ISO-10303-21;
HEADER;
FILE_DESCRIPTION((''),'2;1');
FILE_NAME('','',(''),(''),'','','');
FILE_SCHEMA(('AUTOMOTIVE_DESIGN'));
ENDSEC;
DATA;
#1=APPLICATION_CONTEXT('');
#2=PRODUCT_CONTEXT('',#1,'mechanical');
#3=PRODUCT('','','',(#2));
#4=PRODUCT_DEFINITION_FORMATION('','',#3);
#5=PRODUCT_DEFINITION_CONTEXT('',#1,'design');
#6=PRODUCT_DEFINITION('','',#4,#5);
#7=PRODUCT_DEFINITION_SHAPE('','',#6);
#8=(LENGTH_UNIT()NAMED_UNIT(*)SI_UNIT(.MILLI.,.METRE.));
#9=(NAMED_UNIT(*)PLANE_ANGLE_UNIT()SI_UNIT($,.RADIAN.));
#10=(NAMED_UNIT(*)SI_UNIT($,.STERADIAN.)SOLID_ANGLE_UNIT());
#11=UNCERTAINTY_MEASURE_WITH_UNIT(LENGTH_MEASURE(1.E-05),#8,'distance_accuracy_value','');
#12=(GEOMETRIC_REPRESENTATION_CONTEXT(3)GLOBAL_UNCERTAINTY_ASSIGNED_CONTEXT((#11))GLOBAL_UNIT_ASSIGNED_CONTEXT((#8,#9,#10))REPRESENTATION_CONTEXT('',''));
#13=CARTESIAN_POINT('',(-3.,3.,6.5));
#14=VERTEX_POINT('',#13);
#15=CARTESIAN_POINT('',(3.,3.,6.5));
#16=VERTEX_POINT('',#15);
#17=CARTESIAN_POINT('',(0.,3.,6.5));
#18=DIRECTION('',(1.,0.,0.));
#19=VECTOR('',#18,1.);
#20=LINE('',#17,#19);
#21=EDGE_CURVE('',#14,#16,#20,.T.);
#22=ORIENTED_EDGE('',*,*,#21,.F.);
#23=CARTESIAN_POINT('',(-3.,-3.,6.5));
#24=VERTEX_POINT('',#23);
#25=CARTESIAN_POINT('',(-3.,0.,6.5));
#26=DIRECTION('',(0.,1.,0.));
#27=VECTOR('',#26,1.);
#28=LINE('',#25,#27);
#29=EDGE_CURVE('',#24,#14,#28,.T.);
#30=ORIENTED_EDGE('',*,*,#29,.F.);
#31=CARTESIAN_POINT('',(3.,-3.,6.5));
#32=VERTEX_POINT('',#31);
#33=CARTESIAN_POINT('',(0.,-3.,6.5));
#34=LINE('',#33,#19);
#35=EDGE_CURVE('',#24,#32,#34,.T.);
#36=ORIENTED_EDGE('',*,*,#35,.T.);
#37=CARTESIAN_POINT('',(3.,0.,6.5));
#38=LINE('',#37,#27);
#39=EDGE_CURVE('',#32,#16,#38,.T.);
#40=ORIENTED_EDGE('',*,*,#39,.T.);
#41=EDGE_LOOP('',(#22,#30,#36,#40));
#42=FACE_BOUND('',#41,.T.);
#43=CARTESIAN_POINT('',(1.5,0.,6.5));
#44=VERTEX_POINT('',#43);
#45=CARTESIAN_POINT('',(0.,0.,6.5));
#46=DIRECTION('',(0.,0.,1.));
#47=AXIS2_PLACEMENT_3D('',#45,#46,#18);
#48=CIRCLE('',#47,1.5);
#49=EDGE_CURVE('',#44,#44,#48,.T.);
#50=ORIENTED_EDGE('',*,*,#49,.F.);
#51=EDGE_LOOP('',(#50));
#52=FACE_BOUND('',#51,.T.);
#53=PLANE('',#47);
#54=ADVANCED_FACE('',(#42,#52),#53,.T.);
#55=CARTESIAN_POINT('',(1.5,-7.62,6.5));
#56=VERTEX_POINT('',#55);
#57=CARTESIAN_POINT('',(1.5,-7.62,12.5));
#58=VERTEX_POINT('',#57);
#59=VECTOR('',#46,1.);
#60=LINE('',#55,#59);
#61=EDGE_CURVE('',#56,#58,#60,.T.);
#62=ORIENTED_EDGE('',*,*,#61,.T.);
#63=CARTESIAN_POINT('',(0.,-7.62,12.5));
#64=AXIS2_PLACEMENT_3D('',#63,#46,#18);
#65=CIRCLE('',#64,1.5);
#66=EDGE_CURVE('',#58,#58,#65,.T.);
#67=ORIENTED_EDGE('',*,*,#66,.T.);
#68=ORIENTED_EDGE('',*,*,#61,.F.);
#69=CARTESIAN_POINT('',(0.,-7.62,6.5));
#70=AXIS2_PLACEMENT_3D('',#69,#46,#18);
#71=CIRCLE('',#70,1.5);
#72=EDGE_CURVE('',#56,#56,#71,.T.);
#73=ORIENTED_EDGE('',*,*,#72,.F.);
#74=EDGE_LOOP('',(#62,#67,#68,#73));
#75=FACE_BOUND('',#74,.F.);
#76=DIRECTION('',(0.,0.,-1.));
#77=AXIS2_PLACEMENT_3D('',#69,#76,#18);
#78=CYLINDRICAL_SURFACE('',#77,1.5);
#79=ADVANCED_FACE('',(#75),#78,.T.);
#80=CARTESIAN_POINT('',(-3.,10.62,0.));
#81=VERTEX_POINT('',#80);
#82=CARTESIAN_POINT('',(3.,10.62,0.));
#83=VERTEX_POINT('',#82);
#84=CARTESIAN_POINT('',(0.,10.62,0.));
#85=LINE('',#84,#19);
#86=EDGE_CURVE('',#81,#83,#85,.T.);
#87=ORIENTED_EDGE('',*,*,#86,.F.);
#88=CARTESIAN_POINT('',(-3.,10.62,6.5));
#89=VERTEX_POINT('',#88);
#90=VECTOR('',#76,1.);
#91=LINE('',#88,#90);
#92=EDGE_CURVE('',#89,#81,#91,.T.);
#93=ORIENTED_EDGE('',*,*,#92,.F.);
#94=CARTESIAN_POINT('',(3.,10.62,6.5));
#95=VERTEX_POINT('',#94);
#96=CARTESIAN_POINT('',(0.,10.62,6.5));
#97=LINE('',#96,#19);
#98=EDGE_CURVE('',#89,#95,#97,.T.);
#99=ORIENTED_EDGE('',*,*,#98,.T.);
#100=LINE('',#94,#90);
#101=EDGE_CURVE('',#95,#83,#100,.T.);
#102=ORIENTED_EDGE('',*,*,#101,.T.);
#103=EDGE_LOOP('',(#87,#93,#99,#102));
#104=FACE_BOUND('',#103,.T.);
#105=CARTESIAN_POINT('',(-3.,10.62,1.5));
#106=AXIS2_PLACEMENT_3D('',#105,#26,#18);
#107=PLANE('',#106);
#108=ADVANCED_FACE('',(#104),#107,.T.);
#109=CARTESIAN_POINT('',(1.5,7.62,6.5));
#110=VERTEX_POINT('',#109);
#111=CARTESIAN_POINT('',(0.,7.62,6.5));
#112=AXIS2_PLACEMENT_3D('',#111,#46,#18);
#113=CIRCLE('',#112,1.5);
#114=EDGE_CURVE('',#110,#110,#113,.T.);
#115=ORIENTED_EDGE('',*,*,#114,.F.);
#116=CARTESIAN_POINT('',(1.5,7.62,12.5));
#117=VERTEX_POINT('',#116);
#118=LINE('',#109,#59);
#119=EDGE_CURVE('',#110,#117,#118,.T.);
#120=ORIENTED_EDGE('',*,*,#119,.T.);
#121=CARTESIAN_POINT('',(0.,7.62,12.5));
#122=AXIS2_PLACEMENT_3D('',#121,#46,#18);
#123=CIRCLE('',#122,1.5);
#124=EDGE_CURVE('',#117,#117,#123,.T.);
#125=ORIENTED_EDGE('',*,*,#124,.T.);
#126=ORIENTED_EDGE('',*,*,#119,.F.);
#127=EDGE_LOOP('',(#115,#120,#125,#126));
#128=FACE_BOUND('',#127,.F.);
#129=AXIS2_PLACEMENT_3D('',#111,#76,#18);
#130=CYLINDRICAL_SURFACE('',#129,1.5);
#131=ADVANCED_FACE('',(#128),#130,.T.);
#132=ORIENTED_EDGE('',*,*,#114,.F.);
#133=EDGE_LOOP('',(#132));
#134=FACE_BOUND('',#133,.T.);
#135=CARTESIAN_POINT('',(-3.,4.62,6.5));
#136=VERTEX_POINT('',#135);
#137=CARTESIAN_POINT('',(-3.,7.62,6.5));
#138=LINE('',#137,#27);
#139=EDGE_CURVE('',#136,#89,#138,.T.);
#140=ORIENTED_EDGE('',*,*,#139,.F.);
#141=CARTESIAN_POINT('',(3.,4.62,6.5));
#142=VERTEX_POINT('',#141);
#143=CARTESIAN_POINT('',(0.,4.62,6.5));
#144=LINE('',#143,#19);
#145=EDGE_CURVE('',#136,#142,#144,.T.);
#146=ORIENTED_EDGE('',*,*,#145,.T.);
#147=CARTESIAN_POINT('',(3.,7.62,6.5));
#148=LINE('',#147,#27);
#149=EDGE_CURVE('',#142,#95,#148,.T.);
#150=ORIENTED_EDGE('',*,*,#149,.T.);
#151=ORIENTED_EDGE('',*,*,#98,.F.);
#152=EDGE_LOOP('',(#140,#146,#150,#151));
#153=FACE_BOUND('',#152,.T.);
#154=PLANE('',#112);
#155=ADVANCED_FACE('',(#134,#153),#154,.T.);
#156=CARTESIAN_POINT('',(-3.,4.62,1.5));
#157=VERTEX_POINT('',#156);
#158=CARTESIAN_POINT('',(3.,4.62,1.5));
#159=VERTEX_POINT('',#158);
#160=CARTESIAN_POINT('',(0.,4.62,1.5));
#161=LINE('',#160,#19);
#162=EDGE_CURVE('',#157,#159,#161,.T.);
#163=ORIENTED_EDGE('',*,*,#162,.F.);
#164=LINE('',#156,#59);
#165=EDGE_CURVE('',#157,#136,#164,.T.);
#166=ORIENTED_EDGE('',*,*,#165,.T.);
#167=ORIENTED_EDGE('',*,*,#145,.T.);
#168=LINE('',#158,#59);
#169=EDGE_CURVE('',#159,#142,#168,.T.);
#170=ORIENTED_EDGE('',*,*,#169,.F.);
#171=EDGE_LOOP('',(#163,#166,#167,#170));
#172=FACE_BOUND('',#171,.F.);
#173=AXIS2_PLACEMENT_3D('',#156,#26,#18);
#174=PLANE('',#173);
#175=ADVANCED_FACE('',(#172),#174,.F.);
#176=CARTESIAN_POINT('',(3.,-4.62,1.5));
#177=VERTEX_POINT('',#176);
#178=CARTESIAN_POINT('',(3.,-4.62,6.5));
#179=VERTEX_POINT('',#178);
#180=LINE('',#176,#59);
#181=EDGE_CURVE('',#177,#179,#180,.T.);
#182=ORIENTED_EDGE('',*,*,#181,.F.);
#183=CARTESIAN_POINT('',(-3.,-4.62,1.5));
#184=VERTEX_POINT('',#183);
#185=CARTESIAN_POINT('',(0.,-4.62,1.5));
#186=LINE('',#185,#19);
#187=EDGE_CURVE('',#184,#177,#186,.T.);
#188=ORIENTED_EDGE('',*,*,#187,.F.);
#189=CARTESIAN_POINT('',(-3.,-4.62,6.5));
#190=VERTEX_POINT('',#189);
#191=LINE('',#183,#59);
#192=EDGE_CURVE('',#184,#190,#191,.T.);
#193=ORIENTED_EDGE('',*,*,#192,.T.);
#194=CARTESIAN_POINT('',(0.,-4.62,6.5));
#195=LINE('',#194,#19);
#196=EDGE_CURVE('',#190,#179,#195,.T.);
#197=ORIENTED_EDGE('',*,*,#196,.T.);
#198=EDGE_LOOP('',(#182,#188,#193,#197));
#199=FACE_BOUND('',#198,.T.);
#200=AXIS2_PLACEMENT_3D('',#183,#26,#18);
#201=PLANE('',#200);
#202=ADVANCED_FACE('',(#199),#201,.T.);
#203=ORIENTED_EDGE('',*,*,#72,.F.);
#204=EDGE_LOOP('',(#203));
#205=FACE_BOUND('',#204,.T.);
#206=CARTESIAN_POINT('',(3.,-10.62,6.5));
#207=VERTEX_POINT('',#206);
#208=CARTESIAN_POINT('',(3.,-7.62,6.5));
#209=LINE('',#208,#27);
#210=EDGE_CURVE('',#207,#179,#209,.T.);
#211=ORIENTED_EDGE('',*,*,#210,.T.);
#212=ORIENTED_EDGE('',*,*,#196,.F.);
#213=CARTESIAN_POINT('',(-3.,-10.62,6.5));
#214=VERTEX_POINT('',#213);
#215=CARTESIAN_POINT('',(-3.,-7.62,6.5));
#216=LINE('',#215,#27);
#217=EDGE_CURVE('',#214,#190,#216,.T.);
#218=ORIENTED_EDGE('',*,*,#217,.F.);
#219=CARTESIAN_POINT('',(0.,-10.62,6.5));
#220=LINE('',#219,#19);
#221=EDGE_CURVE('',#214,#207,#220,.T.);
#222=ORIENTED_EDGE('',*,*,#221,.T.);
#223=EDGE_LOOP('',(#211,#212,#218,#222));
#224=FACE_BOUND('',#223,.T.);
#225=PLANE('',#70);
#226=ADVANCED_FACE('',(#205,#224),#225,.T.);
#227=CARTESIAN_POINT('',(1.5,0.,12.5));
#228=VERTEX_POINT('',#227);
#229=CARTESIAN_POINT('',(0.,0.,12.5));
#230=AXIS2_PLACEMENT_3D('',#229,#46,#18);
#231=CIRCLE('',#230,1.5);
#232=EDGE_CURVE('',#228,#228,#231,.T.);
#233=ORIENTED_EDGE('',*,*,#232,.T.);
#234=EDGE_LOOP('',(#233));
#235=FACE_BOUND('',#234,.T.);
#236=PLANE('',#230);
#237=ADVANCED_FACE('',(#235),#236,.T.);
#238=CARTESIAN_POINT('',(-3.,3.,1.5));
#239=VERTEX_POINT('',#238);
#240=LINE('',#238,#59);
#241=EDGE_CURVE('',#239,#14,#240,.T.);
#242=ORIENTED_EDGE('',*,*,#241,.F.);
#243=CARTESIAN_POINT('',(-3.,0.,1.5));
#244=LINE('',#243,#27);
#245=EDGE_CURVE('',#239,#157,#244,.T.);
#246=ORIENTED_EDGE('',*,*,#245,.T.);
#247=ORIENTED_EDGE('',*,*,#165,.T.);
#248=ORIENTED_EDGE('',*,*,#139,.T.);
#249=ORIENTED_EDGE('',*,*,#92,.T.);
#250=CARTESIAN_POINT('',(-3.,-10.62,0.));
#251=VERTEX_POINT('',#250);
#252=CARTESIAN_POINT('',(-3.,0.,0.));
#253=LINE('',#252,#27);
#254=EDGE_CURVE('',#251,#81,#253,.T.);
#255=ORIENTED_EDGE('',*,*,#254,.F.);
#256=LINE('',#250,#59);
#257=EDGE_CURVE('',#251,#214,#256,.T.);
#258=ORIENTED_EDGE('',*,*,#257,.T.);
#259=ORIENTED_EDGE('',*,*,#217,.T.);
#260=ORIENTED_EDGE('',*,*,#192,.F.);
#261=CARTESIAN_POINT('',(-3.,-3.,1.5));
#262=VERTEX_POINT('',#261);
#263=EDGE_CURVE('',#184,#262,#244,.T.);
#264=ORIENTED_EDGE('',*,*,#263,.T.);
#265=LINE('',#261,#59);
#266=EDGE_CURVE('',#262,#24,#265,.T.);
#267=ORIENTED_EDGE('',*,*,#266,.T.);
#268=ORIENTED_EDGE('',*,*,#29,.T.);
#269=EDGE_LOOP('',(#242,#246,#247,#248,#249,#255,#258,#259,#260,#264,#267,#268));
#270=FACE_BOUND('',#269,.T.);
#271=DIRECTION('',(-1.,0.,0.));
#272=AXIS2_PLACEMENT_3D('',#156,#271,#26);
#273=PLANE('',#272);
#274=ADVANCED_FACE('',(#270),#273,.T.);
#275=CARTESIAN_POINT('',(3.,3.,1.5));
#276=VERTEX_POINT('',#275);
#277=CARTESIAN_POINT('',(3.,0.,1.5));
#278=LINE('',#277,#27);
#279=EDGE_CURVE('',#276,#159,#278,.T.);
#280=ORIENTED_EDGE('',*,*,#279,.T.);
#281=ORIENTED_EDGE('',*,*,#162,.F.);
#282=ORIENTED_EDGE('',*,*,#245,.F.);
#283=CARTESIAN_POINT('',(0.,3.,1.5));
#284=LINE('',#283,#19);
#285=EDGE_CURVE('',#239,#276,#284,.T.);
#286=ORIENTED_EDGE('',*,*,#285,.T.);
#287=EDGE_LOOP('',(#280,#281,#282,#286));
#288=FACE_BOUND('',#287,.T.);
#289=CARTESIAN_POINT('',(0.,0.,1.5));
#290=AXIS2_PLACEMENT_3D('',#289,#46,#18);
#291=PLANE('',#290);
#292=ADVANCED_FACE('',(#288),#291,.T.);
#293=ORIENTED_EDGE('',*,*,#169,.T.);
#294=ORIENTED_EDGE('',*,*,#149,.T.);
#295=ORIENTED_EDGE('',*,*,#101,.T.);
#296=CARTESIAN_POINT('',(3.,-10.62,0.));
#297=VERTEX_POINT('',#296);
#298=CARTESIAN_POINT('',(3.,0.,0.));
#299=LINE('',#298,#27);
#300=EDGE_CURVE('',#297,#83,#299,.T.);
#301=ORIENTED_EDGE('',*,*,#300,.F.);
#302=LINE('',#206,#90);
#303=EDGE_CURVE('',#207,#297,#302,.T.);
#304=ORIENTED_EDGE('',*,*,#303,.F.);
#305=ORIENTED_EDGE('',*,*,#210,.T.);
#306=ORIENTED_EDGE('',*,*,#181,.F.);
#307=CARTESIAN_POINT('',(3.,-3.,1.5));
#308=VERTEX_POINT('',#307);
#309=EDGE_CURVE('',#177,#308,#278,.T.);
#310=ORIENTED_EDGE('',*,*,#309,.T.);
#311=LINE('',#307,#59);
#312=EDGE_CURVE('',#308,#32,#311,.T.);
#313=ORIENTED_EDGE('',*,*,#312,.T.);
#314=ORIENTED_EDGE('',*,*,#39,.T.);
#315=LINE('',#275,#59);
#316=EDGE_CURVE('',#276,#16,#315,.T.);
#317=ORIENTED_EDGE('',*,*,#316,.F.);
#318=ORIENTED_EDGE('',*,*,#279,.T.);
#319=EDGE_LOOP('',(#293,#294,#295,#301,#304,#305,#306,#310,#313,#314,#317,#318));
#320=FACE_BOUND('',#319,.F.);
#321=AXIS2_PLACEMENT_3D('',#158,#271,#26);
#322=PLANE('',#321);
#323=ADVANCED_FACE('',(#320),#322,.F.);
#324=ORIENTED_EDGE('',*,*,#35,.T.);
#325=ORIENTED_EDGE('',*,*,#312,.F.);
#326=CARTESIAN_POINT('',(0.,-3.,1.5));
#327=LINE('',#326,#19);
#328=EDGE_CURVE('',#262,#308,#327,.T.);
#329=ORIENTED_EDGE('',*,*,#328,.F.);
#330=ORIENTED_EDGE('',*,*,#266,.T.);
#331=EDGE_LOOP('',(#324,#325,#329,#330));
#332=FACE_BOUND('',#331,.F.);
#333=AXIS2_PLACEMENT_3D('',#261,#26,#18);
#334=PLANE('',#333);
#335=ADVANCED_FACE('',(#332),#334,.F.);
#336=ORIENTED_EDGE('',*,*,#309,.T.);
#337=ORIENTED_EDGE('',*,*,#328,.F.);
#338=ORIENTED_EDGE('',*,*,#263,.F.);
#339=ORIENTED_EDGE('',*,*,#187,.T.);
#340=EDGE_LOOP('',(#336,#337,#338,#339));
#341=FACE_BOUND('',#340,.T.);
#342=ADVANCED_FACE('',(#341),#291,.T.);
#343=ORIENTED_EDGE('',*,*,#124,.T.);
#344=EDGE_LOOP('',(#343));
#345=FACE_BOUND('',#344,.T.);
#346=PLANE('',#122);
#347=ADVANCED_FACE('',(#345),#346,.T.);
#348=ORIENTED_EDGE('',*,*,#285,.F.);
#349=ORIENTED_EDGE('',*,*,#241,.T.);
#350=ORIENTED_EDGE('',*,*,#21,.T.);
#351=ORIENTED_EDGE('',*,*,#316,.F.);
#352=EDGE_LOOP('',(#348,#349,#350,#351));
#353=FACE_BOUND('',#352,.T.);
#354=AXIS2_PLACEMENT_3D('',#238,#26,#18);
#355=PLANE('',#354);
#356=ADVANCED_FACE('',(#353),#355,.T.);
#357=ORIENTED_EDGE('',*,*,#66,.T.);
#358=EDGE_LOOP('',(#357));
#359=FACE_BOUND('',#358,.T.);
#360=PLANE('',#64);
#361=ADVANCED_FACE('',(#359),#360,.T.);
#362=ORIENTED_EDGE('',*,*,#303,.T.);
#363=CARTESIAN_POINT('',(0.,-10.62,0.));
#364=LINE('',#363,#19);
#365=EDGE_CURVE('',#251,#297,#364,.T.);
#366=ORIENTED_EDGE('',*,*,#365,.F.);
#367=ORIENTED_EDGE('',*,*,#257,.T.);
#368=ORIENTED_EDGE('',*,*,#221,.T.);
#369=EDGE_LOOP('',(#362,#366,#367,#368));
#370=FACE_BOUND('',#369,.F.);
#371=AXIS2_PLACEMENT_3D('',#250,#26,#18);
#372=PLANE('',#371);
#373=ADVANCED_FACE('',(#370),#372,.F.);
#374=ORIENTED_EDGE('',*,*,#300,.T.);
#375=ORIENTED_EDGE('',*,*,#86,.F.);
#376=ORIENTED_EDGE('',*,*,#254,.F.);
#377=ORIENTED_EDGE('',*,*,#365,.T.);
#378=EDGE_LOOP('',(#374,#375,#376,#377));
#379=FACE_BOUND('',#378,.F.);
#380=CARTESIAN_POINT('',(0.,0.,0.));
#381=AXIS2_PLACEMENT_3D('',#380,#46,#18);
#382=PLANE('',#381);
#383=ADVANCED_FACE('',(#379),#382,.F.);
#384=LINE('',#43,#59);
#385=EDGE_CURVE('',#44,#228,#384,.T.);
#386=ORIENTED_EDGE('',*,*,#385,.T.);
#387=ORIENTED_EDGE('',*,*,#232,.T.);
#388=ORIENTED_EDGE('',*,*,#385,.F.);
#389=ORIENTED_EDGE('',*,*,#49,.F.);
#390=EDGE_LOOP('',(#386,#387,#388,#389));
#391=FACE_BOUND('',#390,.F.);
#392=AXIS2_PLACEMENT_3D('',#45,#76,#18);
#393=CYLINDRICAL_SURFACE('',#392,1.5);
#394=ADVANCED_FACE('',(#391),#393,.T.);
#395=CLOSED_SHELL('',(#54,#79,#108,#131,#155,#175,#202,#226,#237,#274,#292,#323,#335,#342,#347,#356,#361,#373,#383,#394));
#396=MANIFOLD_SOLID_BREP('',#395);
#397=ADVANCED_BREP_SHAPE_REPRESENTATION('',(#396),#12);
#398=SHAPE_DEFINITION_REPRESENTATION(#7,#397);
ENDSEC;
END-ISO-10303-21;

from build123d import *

# Parameters (mm, degrees)
F0_W     = 6
F0_H     = 21.24
F1_DEPTH = 1.5
F2_W     = 6
F2_H     = 6
F3_DEPTH = 5
F4_R     = 1.5
F5_DEPTH = 6


with BuildPart() as f1:
    # F0 (on Top) → F1 (new body)
    with BuildSketch(Plane.XY):
        Rectangle(F0_W, F0_H)
    extrude(amount=F1_DEPTH)

    # F2 (on face) → F3 (join)
    with BuildSketch(Plane.XY.offset(1.5)):
        with Locations((0, 7.62)):
            Rectangle(F2_W, F2_H)
        Rectangle(F2_W, F2_H)
        with Locations((0, -7.62)):
            Rectangle(F2_W, F2_H)
    extrude(amount=F3_DEPTH)

    # F4 (on face) → F5 (join)
    with BuildSketch(Plane.XY.offset(6.5)):
        Circle(F4_R)
        with Locations((0, 7.62)):
            Circle(F4_R)
        with Locations((0, -7.62)):
            Circle(F4_R)
    extrude(amount=F5_DEPTH)


solid = f1.part
